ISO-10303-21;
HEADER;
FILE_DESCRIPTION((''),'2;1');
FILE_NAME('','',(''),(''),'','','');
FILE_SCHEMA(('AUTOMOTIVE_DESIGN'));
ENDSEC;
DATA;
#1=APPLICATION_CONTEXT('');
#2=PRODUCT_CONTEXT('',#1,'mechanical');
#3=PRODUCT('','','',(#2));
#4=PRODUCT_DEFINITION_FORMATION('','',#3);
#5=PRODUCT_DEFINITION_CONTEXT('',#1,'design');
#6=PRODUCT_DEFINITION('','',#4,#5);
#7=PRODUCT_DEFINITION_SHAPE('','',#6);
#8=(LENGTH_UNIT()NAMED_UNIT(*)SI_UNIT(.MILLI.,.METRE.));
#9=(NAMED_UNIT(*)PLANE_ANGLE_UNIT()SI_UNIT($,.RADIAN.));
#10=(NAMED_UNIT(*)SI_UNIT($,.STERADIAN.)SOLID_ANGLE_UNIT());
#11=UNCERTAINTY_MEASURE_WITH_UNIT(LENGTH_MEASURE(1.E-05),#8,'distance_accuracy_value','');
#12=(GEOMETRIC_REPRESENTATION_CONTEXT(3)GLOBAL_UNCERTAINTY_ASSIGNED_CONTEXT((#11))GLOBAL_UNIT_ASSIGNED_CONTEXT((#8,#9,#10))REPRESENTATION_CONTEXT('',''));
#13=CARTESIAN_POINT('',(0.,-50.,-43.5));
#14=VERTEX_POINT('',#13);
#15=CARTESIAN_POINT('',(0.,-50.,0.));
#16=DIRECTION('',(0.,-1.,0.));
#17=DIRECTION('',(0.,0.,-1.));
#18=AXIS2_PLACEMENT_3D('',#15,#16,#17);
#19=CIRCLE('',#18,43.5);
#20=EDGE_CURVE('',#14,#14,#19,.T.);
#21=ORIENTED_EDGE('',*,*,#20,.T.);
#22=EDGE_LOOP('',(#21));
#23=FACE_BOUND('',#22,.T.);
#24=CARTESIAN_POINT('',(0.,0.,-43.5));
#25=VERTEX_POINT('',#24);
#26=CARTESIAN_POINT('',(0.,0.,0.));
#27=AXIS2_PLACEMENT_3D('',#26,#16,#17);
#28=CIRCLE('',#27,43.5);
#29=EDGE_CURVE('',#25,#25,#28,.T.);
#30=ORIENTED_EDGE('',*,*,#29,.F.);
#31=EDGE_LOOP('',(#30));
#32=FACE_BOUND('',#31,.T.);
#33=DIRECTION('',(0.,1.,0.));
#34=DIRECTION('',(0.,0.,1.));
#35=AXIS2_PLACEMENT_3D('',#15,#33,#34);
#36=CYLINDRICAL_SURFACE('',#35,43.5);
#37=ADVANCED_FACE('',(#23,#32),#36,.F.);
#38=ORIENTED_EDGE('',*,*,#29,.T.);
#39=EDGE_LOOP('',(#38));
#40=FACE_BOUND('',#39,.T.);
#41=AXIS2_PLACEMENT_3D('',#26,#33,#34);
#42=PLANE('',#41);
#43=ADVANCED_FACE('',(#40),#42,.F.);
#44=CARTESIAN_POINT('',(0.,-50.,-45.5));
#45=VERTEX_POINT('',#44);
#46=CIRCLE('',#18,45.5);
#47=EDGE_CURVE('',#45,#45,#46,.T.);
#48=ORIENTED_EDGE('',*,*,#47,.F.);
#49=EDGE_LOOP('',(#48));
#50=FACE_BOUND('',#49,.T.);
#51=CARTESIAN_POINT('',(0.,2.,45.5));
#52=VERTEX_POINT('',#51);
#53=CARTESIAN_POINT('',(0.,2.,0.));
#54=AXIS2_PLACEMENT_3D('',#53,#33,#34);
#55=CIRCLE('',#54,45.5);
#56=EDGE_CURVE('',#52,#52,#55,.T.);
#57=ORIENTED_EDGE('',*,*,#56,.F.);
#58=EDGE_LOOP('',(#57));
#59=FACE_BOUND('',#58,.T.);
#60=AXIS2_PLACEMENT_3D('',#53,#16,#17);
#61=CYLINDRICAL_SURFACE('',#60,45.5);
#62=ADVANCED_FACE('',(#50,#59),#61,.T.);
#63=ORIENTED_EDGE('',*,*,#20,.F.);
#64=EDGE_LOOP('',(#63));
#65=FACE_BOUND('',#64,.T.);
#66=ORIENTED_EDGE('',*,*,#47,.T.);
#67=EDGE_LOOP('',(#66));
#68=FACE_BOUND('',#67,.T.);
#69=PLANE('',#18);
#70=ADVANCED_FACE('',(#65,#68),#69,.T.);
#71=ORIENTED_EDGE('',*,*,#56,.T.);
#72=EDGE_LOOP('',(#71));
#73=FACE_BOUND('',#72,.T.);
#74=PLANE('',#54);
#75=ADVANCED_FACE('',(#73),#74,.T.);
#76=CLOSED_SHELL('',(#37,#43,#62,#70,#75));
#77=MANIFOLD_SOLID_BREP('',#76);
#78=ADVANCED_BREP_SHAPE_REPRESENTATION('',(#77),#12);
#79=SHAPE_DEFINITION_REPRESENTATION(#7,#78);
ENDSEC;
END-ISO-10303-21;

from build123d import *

# Parameters (mm, degrees)
ESBO_O1_R                = 45.5
RESSALTO_EXTRUS_O1_DEPTH = 2
ESBO_O2_R                = 45.5
ESBO_O2_R_2              = 43.5
RESSALTO_EXTRUS_O2_DEPTH = 50


with BuildPart() as part:
    # Esboço1 → Ressalto-extrusão1 (new body)
    with BuildSketch(Plane(origin=(0, 0, 0), x_dir=(1, 0, 0), z_dir=(0, 1, 0))):
        Circle(ESBO_O1_R)
    extrude(amount=RESSALTO_EXTRUS_O1_DEPTH)

    # Esboço2 → Ressalto-extrusão2 (add)
    with BuildSketch(Plane.XZ):
        Circle(ESBO_O2_R)
        Circle(ESBO_O2_R_2, mode=Mode.SUBTRACT)
    extrude(amount=RESSALTO_EXTRUS_O2_DEPTH)


solid = part.part
